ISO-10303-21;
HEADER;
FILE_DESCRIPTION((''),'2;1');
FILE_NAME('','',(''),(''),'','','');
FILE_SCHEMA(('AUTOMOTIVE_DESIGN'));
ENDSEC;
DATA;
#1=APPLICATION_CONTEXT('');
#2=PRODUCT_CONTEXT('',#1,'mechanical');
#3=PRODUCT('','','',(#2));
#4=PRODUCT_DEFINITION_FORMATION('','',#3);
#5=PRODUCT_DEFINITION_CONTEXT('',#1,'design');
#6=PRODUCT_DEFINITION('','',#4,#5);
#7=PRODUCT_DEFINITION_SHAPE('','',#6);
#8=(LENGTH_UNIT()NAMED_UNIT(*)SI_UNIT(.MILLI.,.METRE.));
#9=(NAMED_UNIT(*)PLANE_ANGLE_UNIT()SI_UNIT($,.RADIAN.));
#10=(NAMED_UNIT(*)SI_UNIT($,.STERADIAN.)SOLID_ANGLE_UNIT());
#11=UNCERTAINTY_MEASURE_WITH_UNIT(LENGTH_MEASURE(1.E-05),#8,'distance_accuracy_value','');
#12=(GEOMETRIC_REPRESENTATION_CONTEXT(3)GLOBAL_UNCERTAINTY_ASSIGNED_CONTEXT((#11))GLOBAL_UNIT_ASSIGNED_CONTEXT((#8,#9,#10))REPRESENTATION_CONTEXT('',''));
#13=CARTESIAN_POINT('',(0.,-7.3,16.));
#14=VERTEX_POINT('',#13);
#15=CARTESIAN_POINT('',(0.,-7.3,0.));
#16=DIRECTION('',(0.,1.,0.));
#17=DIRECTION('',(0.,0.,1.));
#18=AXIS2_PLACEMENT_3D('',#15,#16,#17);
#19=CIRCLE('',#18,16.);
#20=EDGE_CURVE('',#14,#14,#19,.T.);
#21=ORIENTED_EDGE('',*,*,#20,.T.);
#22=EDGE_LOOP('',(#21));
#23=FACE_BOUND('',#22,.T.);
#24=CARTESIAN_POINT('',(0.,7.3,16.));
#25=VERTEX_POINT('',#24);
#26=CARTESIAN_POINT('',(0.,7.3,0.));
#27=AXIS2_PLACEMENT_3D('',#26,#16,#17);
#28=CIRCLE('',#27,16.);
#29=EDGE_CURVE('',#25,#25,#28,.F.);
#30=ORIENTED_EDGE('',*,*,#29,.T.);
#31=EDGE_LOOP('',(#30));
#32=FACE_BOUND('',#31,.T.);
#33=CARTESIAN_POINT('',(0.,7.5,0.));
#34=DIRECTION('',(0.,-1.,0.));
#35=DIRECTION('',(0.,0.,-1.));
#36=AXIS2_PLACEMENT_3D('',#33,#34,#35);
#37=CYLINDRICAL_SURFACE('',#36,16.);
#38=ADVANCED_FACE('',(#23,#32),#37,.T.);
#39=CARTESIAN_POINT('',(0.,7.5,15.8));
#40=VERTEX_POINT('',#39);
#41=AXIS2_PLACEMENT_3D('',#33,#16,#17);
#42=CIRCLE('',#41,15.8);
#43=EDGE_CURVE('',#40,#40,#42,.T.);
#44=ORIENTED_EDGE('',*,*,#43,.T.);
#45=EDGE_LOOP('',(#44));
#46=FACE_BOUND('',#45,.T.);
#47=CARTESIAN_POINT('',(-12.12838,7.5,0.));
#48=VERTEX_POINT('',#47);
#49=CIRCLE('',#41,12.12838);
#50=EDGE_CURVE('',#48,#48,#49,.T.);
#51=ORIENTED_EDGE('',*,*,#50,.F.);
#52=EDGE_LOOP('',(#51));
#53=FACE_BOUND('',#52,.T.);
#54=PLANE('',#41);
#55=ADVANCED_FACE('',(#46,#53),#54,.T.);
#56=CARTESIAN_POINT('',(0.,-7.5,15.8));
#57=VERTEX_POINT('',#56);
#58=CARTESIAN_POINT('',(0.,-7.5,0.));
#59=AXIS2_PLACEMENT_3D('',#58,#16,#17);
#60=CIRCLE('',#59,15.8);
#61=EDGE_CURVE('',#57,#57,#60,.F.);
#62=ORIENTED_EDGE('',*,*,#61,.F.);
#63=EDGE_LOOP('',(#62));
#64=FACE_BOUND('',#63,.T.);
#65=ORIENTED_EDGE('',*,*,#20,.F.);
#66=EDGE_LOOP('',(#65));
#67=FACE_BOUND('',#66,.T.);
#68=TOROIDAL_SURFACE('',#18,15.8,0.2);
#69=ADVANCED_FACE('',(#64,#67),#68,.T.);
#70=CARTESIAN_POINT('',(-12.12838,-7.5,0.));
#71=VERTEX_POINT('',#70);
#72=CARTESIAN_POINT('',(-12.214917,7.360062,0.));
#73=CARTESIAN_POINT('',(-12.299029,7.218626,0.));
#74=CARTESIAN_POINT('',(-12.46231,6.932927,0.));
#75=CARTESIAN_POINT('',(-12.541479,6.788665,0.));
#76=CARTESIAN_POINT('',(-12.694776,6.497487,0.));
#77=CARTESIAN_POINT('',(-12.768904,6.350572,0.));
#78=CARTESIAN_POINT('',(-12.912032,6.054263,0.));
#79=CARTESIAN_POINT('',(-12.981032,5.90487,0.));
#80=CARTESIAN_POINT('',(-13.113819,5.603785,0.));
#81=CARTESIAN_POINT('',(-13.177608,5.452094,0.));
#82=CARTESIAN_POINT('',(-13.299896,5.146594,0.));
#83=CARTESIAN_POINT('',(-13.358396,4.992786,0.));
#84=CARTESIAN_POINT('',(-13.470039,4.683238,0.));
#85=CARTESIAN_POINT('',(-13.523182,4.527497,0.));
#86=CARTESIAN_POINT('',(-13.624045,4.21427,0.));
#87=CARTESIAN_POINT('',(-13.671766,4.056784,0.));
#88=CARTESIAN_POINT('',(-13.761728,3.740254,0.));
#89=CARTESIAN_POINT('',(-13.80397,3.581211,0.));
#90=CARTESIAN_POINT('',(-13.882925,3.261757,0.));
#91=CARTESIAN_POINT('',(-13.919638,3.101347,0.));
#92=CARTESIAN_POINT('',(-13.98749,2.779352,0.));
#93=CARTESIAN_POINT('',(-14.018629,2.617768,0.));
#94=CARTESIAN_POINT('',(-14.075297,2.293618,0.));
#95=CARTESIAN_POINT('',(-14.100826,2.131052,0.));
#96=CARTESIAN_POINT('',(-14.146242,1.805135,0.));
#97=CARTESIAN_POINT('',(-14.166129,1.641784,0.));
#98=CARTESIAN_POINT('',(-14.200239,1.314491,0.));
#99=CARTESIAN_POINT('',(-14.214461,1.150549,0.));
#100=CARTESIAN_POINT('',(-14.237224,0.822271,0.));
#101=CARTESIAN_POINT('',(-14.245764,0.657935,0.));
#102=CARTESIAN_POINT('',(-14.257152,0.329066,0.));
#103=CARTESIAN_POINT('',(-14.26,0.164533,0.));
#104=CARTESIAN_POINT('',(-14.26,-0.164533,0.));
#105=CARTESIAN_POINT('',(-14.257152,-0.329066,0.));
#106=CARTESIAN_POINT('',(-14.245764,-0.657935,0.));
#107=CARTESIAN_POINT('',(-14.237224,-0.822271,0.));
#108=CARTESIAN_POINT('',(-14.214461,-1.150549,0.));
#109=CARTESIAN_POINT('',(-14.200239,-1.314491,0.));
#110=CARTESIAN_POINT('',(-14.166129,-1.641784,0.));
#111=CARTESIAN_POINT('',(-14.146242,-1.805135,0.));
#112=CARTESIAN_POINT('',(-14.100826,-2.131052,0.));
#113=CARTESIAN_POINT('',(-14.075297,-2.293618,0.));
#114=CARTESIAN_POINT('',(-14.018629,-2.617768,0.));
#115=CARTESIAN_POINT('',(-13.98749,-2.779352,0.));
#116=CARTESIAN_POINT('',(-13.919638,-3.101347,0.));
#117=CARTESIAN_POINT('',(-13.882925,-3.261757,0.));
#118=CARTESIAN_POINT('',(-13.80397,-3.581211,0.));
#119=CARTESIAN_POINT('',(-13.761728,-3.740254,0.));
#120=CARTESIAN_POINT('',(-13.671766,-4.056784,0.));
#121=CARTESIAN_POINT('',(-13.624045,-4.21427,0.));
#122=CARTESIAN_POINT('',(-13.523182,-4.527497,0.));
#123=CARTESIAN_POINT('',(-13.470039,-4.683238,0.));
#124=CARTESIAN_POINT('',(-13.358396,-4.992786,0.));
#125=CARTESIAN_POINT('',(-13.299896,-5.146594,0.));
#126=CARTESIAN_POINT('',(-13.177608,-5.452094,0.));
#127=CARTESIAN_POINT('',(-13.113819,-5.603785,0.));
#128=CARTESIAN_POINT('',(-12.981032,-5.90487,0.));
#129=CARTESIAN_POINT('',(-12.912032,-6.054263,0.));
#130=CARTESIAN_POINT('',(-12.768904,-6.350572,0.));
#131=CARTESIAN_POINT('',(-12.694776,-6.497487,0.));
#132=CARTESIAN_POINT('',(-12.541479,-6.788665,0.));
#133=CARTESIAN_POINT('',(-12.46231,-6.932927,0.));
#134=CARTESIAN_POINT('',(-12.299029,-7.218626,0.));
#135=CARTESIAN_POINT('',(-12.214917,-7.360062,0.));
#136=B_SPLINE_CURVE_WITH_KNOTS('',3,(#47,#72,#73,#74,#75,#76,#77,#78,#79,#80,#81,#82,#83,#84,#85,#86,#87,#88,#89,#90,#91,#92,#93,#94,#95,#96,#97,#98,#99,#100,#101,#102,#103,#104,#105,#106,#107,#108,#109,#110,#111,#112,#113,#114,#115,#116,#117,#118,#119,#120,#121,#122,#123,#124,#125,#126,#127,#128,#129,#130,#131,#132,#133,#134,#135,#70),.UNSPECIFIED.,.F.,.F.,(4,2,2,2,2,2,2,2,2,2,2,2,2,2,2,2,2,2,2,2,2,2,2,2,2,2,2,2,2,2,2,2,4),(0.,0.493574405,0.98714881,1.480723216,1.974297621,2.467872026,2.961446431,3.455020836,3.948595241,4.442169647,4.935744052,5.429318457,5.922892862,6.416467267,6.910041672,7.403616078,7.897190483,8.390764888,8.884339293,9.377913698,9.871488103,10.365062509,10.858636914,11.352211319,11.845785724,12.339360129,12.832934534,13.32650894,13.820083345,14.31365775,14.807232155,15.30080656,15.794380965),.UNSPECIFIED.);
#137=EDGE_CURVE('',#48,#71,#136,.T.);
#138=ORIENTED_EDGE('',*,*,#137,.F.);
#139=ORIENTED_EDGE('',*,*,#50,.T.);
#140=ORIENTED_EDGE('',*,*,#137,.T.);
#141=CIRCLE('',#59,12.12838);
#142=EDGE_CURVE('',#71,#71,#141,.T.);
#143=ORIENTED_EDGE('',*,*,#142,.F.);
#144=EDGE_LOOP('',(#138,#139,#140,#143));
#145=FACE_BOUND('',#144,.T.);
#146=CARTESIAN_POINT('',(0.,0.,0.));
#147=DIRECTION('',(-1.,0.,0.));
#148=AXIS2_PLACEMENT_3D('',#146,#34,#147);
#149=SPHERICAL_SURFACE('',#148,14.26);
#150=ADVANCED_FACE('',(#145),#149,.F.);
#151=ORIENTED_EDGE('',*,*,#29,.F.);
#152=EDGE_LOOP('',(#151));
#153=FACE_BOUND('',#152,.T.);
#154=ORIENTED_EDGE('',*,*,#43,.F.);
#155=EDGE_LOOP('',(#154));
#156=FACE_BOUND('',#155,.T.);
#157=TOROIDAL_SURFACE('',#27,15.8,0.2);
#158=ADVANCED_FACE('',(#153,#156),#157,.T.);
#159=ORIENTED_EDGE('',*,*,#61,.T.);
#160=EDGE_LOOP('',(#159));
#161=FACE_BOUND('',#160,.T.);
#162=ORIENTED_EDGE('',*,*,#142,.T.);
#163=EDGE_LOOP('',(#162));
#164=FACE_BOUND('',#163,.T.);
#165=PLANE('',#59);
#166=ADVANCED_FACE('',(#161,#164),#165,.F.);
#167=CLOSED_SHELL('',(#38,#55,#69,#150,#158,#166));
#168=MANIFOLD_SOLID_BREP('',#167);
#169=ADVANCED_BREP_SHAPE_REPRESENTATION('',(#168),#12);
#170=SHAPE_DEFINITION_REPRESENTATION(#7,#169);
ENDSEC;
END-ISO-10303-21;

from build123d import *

# Parameters (mm, degrees)
SZKIC1_R                    = 16
DODANIE_WYCI_GNI_CIE1_DEPTH = 7.5
ZAOKR_GLENIE1_R             = 0.2


with BuildPart() as part:
    # Szkic1 → Dodanie-wyciągnięcie1 (new, symmetric)
    with BuildSketch(Plane(origin=(0, 0, 0), x_dir=(1, 0, 0), z_dir=(0, 1, 0))):
        with Locations(Location((0, 0, 0), (0, 0, 270))):
            Circle(SZKIC1_R)
    extrude(amount=DODANIE_WYCI_GNI_CIE1_DEPTH, both=True)

    # Szkic3 → Wycięcie-obrót1 (revolve, cut)
    with BuildSketch(Plane.XY):
        with BuildLine():
            Line((0, -14.26), (0, 14.26))
            ThreePointArc((0, 14.26), (14.26, 0), (0, -14.26))
        make_face()
    revolve(axis=Axis((0, -14.26, 0), (0, 1, 0)), mode=Mode.SUBTRACT)

    # Zaokrąglenie1
    zaokr_glenie1_edges = [part.edges().sort_by_distance(p)[0] for p in [
        (0, -7.5, -16),
        (0, 7.5, -16),
    ]]
    fillet(zaokr_glenie1_edges, radius=ZAOKR_GLENIE1_R)


solid = part.part
